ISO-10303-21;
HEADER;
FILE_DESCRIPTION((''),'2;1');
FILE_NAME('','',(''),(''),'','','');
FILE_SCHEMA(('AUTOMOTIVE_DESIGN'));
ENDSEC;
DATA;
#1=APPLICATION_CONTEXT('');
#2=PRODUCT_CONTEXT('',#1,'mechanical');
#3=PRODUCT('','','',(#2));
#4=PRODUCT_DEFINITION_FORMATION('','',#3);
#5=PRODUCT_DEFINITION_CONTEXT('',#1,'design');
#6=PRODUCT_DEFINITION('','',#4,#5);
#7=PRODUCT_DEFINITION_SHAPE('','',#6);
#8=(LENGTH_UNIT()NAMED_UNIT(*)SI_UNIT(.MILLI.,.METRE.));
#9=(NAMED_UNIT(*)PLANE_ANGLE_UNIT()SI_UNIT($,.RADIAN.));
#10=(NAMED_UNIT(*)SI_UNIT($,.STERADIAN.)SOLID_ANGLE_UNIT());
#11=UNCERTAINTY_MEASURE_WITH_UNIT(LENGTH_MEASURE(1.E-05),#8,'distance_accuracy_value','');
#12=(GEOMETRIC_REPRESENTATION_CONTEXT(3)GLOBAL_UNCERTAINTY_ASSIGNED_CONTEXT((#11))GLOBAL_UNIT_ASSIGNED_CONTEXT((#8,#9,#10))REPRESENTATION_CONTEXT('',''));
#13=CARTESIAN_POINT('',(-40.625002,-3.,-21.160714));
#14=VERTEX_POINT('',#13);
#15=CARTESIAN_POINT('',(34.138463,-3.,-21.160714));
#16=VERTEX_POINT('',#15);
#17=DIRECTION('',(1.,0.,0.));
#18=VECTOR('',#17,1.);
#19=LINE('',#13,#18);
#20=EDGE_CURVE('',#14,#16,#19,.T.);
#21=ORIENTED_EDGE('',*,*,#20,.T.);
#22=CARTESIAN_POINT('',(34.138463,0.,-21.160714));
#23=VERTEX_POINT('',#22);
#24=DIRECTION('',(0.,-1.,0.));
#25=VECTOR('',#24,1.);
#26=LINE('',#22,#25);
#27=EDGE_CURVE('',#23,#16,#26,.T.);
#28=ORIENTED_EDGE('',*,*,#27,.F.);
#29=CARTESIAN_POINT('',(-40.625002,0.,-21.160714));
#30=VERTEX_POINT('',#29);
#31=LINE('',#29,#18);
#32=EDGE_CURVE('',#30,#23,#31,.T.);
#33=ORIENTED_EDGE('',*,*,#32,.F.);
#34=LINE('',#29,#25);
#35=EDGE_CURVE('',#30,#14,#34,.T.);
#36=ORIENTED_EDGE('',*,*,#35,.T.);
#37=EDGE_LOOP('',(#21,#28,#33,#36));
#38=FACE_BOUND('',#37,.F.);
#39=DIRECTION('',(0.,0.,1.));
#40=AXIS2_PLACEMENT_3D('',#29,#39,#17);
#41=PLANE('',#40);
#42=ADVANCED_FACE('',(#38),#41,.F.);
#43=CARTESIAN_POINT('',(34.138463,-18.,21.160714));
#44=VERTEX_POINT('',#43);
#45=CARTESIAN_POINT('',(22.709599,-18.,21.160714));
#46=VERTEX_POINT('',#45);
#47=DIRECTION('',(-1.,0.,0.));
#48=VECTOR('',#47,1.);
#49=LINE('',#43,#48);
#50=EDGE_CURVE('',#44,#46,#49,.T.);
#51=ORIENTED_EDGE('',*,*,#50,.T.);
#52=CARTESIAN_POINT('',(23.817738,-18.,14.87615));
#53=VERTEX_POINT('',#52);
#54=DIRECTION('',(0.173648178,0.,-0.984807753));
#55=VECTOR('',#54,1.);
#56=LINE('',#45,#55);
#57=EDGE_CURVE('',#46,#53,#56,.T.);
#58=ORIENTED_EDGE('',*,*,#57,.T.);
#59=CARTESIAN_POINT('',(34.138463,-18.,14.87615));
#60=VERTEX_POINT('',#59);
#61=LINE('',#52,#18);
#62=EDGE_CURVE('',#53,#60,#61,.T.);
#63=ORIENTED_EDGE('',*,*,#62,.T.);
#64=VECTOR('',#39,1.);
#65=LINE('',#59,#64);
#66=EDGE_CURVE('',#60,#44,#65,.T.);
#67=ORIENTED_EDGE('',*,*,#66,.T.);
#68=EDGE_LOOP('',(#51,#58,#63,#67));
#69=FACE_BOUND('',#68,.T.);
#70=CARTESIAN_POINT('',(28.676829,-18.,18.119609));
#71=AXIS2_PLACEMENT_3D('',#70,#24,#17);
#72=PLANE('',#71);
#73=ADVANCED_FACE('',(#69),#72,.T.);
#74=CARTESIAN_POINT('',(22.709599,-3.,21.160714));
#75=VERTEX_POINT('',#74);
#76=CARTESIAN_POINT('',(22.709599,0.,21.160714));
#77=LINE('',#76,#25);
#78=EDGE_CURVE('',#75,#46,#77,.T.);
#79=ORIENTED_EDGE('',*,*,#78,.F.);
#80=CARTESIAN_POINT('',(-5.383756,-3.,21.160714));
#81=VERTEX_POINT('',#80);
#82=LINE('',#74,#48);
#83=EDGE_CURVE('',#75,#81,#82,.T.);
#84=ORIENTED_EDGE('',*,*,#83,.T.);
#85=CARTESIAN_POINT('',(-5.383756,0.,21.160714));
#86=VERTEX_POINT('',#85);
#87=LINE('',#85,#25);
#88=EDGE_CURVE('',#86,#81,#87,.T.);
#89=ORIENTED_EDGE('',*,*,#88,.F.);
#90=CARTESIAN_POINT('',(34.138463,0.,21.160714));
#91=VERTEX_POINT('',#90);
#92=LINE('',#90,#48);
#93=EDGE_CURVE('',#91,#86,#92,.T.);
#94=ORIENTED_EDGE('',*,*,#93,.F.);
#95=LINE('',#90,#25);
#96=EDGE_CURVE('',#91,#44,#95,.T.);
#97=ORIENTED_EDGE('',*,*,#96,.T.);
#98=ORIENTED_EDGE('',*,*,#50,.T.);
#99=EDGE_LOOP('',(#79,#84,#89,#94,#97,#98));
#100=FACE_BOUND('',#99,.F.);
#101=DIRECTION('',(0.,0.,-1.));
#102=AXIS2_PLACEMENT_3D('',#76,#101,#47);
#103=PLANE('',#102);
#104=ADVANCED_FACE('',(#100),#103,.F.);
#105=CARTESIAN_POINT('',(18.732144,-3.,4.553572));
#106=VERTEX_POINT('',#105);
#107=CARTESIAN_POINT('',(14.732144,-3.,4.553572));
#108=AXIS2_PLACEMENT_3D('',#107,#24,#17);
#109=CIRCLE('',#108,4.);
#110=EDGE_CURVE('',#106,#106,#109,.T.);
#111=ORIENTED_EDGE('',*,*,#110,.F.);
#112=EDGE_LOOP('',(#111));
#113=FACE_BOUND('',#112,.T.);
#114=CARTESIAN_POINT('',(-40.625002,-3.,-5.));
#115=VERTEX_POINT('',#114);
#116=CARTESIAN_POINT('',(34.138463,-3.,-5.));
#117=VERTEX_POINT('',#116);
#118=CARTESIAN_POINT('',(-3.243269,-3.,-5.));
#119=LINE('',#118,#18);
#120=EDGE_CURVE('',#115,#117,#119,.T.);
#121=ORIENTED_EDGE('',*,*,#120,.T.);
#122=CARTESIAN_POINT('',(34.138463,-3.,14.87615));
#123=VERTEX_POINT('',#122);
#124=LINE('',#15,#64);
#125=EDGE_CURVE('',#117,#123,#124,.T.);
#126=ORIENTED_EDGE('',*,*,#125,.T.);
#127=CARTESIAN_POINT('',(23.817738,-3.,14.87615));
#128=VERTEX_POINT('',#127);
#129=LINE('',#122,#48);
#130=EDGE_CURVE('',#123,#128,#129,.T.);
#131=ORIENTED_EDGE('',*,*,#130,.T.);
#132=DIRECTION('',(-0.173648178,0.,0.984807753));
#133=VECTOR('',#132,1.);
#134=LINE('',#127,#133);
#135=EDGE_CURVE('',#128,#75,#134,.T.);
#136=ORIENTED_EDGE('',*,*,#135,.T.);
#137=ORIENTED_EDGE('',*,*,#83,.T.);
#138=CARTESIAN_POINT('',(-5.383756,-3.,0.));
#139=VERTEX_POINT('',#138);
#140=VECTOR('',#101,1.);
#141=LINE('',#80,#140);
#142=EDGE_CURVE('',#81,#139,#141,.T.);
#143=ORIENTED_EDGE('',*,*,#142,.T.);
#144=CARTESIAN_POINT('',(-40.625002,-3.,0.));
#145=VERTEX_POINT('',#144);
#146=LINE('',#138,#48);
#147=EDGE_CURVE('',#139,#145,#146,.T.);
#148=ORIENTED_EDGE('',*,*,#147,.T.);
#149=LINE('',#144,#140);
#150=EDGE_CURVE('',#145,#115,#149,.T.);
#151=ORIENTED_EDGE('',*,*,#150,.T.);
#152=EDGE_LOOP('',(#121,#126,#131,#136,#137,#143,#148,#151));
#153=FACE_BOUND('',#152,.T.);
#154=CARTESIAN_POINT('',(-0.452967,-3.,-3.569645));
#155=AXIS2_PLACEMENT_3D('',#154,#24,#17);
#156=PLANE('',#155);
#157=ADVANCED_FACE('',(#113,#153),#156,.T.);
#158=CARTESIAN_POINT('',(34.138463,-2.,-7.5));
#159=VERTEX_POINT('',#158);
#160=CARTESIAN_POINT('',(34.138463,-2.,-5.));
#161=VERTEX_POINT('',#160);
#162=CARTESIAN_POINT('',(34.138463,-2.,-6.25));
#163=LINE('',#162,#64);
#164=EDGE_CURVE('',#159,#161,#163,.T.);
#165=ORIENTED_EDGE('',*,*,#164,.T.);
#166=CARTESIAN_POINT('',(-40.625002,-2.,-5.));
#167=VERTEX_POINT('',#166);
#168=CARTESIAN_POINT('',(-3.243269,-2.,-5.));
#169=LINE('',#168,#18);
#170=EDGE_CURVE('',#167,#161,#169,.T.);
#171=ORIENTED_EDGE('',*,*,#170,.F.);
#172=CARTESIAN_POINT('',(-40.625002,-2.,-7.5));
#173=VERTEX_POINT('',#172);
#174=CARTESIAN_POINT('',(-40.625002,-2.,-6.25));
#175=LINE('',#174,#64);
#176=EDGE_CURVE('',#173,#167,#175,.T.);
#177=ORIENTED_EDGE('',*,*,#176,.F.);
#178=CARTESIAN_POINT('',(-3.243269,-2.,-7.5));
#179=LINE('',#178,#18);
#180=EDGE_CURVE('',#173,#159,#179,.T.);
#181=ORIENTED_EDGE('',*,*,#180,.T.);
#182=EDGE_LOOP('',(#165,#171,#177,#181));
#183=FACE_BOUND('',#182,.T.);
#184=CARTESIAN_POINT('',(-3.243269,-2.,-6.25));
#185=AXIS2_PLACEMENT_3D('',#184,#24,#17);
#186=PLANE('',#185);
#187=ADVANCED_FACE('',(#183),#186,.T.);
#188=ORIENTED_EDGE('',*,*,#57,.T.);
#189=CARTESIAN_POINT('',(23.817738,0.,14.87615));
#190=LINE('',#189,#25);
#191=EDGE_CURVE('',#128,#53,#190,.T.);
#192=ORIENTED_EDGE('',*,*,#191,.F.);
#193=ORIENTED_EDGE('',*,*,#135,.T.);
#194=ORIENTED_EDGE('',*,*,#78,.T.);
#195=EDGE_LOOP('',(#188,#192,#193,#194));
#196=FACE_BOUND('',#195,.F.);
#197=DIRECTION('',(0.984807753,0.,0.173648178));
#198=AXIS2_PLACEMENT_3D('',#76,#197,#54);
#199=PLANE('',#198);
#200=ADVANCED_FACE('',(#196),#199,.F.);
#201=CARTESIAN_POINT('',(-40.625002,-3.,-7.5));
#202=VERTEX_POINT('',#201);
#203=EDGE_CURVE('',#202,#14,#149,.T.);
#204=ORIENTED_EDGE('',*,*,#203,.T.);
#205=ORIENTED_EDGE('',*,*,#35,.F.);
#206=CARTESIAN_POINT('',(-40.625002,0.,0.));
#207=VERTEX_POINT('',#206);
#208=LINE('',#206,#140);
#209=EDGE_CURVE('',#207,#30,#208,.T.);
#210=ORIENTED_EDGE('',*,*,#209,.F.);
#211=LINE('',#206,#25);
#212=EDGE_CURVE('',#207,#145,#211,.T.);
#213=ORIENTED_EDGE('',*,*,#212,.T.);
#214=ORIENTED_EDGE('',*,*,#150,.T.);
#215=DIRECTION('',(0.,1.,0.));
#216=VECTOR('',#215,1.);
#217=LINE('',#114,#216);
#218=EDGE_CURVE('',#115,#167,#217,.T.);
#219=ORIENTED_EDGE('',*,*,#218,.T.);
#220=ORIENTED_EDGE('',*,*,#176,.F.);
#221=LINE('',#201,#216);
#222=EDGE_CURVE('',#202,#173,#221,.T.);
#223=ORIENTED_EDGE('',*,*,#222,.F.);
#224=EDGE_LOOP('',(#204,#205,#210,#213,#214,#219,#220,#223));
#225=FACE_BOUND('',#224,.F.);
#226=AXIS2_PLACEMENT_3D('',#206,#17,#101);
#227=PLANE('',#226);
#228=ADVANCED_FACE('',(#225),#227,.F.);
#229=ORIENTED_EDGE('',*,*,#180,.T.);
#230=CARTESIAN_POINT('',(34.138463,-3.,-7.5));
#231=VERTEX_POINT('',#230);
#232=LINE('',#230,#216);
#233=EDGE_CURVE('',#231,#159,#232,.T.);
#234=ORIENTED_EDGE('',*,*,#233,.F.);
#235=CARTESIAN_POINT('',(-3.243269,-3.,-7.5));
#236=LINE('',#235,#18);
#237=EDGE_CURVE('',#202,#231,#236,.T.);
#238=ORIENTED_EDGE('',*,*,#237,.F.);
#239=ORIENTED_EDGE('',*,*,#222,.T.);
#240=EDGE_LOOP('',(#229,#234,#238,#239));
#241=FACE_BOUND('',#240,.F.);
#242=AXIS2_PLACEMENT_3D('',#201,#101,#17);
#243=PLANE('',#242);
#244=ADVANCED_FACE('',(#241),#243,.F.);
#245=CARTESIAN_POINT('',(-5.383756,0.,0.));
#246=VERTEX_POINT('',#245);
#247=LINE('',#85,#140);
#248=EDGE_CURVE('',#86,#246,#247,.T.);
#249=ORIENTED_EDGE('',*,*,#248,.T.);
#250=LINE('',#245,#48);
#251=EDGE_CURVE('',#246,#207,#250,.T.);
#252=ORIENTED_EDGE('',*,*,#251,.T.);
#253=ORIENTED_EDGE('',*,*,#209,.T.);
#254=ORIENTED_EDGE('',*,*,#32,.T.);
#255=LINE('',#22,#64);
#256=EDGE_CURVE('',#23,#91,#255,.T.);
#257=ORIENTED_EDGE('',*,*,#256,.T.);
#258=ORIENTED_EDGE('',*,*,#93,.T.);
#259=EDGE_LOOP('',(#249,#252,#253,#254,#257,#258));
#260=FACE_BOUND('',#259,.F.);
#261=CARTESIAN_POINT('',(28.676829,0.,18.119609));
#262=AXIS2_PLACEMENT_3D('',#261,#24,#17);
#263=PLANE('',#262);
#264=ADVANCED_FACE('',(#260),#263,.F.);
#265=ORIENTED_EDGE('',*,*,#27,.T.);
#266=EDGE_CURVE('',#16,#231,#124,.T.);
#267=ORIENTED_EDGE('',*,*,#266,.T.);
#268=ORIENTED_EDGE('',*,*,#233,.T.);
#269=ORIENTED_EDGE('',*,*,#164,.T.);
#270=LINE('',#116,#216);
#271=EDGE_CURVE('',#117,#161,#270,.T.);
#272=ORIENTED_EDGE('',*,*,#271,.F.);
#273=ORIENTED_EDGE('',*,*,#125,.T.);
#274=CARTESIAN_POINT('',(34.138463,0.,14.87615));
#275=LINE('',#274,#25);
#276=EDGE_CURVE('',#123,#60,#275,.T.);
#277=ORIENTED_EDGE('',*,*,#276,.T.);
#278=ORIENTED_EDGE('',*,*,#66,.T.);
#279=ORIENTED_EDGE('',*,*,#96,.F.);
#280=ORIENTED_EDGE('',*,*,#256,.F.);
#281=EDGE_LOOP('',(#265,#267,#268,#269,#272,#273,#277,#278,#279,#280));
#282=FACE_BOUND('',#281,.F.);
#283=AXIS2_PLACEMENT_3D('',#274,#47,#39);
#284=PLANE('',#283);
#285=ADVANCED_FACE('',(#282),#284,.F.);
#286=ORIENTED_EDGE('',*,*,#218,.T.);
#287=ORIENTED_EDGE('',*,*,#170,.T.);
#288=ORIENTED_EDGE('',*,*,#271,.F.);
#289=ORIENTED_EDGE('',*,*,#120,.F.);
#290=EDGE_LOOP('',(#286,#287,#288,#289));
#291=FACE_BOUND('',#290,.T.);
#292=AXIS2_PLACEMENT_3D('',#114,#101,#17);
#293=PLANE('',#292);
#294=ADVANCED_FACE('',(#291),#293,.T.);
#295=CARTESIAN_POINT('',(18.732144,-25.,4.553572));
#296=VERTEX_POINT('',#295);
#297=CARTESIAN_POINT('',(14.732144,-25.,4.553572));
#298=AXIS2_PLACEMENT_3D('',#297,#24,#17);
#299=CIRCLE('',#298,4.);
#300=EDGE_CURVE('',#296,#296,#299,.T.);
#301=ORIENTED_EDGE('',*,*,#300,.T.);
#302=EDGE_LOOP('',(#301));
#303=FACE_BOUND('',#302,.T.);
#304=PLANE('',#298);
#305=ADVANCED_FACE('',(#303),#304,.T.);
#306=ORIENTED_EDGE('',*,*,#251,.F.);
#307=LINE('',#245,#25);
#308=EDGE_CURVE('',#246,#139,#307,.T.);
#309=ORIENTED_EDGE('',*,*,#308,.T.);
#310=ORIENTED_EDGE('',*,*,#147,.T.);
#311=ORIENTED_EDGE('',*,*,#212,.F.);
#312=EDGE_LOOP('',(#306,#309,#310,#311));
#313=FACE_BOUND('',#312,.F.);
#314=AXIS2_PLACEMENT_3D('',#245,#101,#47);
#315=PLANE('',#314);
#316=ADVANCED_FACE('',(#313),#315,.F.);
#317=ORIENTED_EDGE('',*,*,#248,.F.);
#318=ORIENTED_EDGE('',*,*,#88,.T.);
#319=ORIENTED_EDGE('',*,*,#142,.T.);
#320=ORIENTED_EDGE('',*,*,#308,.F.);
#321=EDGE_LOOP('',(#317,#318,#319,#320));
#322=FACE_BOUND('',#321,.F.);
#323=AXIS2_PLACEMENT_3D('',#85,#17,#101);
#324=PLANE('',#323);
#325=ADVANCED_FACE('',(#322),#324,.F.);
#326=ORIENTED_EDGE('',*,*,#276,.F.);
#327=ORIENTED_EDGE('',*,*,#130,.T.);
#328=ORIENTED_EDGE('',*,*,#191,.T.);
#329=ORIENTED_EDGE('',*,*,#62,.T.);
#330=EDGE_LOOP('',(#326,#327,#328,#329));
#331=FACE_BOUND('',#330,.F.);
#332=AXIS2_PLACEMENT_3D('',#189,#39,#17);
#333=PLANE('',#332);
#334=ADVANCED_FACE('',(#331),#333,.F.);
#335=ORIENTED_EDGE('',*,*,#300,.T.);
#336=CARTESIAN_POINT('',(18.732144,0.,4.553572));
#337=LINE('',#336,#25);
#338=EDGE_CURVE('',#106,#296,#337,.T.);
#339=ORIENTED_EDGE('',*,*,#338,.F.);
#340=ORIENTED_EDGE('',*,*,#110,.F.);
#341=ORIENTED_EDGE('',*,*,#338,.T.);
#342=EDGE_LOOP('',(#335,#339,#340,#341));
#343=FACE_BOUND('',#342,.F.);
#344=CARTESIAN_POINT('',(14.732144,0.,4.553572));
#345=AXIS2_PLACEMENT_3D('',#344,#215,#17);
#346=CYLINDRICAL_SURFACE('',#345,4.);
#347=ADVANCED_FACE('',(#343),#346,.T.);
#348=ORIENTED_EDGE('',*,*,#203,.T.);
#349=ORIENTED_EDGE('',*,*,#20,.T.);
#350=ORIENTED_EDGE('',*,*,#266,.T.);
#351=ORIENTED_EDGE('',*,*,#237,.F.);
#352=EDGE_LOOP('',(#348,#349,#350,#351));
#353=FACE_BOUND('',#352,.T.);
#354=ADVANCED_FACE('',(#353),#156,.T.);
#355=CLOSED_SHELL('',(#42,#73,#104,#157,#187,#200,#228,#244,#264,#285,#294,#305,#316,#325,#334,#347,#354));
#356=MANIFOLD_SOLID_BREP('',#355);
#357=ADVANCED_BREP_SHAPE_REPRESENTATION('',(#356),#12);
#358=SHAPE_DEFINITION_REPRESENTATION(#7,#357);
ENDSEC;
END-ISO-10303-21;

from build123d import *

# Parameters (mm, degrees)
F0_R     = 4
F1_DEPTH = 3
F2_DEPTH = 25
F3_W     = 74.7634656727
F3_H     = 2.5
F4_DEPTH = 1
F5_DEPTH = 18


with BuildPart() as f1:
    # F0 (on Front) → F1 (new body)
    with BuildSketch(Plane.XZ):
        Polygon((-5.3837564774, 0), (-40.6250022352, 0), (-40.6250022352, -21.1607143283), (34.1384634376, -21.1607143283), (34.1384634376, 14.8761495948), (23.8177376958, 14.8761495948), (22.7095993713, 21.1607143283), (-5.3837564774, 21.1607143283), align=None)
        with Locations((14.7321438417, 4.5535718091)):
            Circle(F0_R, mode=Mode.SUBTRACT)
    extrude(amount=F1_DEPTH)

    # F0 (on Front) → F2 (join)
    with BuildSketch(Plane.XZ):
        with Locations((14.7321438417, 4.5535718091)):
            Circle(F0_R)
    extrude(amount=F2_DEPTH)

    # F3 (on face) → F4 (cut)
    with BuildSketch(Plane.XZ.offset(3)):
        with Locations((-3.2432693988, -6.25)):
            Rectangle(F3_W, F3_H)
    extrude(amount=-F4_DEPTH, mode=Mode.SUBTRACT)

    # F0 (on Front) → F5 (join)
    with BuildSketch(Plane.XZ):
        Polygon((23.8177376958, 14.8761495948), (34.1384634376, 14.8761495948), (34.1384634376, 21.1607143283), (22.7095993713, 21.1607143283), align=None)
    extrude(amount=F5_DEPTH)


solid = f1.part
